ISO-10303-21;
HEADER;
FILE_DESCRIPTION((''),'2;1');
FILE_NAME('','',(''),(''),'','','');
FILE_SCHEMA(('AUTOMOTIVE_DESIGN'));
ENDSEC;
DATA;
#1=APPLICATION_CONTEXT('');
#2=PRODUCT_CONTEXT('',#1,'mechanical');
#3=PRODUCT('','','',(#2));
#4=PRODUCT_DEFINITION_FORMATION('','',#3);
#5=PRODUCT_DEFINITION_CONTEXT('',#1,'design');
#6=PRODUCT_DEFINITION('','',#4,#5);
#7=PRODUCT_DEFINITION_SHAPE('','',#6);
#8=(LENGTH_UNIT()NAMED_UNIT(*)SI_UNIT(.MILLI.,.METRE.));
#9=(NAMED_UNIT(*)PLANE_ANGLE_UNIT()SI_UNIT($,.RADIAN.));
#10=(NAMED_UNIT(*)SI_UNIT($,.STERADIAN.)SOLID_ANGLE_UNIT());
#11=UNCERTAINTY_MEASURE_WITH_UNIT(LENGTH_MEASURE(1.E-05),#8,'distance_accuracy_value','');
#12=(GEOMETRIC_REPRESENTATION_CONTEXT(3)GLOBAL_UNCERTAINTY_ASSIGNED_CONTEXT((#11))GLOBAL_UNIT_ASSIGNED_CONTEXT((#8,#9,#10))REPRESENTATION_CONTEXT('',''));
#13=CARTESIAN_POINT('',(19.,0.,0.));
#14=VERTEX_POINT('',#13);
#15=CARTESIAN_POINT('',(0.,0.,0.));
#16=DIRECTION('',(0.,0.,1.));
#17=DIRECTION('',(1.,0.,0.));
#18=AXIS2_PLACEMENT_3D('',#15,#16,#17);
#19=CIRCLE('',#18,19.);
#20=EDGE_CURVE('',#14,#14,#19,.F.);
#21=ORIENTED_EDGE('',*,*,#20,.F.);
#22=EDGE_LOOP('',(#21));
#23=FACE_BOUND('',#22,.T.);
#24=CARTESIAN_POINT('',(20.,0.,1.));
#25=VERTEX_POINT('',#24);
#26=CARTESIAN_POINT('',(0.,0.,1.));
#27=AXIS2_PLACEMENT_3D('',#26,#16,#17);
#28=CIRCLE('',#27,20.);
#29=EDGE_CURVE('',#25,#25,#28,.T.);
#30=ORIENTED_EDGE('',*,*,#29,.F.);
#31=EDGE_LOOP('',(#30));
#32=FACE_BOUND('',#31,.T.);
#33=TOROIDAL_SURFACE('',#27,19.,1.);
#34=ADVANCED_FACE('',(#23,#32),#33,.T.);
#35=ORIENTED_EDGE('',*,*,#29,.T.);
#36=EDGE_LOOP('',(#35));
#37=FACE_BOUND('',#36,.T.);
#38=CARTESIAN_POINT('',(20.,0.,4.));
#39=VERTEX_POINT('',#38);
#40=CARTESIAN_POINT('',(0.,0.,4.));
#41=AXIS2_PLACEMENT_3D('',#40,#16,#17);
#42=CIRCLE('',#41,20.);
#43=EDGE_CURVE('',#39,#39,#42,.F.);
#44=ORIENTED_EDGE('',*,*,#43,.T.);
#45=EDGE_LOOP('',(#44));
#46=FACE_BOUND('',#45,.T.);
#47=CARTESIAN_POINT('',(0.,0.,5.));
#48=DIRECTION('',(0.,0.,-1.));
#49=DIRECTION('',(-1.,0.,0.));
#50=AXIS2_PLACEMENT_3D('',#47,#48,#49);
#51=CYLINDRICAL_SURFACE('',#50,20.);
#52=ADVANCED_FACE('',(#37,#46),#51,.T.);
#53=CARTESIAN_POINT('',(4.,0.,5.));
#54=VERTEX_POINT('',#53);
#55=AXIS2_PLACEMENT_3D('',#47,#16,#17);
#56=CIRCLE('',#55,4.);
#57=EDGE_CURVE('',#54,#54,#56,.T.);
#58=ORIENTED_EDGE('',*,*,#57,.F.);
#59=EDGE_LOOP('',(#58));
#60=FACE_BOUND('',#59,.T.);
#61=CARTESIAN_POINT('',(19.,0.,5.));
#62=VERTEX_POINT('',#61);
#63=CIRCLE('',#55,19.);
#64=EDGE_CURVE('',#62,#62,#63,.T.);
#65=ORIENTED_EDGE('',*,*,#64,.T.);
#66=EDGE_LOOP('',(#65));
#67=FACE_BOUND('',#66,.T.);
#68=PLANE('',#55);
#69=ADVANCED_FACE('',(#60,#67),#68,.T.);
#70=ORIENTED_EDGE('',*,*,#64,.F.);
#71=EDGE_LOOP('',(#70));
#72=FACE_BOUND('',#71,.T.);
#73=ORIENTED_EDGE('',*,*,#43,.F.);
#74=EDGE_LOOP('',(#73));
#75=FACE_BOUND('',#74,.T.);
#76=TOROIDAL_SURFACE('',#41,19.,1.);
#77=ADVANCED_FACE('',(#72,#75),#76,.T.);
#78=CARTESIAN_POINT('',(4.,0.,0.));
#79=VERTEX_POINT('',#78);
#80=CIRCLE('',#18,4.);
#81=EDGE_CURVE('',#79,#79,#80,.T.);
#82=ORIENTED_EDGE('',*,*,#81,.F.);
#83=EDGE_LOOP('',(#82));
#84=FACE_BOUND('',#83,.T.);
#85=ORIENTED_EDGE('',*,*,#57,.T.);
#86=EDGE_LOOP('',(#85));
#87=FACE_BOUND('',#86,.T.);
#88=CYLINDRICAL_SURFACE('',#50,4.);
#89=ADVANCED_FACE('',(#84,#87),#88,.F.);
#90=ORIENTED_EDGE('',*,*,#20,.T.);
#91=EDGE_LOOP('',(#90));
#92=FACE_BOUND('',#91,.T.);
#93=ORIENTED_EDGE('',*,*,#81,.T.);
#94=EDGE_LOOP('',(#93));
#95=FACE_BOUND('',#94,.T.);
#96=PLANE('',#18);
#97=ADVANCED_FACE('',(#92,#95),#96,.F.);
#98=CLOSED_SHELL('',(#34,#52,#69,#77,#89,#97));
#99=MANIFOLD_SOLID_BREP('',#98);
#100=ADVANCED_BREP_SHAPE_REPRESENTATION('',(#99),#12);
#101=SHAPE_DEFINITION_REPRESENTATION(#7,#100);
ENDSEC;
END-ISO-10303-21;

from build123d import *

# Parameters (mm, degrees)
SKETCH1_R           = 20
SKETCH1_R_2         = 4
BOSS_EXTRUDE1_DEPTH = 5
FILLET1_R           = 1


with BuildPart() as part:
    # Sketch1 → Boss-Extrude1 (new body)
    with BuildSketch(Plane.XY):
        Circle(SKETCH1_R)
        Circle(SKETCH1_R_2, mode=Mode.SUBTRACT)
    extrude(amount=BOSS_EXTRUDE1_DEPTH)

    # Fillet1
    fillet1_edges = [part.edges().sort_by_distance(p)[0] for p in [
        (-20, 0, 0),
        (-20, 0, 5),
    ]]
    fillet(fillet1_edges, radius=FILLET1_R)


solid = part.part
